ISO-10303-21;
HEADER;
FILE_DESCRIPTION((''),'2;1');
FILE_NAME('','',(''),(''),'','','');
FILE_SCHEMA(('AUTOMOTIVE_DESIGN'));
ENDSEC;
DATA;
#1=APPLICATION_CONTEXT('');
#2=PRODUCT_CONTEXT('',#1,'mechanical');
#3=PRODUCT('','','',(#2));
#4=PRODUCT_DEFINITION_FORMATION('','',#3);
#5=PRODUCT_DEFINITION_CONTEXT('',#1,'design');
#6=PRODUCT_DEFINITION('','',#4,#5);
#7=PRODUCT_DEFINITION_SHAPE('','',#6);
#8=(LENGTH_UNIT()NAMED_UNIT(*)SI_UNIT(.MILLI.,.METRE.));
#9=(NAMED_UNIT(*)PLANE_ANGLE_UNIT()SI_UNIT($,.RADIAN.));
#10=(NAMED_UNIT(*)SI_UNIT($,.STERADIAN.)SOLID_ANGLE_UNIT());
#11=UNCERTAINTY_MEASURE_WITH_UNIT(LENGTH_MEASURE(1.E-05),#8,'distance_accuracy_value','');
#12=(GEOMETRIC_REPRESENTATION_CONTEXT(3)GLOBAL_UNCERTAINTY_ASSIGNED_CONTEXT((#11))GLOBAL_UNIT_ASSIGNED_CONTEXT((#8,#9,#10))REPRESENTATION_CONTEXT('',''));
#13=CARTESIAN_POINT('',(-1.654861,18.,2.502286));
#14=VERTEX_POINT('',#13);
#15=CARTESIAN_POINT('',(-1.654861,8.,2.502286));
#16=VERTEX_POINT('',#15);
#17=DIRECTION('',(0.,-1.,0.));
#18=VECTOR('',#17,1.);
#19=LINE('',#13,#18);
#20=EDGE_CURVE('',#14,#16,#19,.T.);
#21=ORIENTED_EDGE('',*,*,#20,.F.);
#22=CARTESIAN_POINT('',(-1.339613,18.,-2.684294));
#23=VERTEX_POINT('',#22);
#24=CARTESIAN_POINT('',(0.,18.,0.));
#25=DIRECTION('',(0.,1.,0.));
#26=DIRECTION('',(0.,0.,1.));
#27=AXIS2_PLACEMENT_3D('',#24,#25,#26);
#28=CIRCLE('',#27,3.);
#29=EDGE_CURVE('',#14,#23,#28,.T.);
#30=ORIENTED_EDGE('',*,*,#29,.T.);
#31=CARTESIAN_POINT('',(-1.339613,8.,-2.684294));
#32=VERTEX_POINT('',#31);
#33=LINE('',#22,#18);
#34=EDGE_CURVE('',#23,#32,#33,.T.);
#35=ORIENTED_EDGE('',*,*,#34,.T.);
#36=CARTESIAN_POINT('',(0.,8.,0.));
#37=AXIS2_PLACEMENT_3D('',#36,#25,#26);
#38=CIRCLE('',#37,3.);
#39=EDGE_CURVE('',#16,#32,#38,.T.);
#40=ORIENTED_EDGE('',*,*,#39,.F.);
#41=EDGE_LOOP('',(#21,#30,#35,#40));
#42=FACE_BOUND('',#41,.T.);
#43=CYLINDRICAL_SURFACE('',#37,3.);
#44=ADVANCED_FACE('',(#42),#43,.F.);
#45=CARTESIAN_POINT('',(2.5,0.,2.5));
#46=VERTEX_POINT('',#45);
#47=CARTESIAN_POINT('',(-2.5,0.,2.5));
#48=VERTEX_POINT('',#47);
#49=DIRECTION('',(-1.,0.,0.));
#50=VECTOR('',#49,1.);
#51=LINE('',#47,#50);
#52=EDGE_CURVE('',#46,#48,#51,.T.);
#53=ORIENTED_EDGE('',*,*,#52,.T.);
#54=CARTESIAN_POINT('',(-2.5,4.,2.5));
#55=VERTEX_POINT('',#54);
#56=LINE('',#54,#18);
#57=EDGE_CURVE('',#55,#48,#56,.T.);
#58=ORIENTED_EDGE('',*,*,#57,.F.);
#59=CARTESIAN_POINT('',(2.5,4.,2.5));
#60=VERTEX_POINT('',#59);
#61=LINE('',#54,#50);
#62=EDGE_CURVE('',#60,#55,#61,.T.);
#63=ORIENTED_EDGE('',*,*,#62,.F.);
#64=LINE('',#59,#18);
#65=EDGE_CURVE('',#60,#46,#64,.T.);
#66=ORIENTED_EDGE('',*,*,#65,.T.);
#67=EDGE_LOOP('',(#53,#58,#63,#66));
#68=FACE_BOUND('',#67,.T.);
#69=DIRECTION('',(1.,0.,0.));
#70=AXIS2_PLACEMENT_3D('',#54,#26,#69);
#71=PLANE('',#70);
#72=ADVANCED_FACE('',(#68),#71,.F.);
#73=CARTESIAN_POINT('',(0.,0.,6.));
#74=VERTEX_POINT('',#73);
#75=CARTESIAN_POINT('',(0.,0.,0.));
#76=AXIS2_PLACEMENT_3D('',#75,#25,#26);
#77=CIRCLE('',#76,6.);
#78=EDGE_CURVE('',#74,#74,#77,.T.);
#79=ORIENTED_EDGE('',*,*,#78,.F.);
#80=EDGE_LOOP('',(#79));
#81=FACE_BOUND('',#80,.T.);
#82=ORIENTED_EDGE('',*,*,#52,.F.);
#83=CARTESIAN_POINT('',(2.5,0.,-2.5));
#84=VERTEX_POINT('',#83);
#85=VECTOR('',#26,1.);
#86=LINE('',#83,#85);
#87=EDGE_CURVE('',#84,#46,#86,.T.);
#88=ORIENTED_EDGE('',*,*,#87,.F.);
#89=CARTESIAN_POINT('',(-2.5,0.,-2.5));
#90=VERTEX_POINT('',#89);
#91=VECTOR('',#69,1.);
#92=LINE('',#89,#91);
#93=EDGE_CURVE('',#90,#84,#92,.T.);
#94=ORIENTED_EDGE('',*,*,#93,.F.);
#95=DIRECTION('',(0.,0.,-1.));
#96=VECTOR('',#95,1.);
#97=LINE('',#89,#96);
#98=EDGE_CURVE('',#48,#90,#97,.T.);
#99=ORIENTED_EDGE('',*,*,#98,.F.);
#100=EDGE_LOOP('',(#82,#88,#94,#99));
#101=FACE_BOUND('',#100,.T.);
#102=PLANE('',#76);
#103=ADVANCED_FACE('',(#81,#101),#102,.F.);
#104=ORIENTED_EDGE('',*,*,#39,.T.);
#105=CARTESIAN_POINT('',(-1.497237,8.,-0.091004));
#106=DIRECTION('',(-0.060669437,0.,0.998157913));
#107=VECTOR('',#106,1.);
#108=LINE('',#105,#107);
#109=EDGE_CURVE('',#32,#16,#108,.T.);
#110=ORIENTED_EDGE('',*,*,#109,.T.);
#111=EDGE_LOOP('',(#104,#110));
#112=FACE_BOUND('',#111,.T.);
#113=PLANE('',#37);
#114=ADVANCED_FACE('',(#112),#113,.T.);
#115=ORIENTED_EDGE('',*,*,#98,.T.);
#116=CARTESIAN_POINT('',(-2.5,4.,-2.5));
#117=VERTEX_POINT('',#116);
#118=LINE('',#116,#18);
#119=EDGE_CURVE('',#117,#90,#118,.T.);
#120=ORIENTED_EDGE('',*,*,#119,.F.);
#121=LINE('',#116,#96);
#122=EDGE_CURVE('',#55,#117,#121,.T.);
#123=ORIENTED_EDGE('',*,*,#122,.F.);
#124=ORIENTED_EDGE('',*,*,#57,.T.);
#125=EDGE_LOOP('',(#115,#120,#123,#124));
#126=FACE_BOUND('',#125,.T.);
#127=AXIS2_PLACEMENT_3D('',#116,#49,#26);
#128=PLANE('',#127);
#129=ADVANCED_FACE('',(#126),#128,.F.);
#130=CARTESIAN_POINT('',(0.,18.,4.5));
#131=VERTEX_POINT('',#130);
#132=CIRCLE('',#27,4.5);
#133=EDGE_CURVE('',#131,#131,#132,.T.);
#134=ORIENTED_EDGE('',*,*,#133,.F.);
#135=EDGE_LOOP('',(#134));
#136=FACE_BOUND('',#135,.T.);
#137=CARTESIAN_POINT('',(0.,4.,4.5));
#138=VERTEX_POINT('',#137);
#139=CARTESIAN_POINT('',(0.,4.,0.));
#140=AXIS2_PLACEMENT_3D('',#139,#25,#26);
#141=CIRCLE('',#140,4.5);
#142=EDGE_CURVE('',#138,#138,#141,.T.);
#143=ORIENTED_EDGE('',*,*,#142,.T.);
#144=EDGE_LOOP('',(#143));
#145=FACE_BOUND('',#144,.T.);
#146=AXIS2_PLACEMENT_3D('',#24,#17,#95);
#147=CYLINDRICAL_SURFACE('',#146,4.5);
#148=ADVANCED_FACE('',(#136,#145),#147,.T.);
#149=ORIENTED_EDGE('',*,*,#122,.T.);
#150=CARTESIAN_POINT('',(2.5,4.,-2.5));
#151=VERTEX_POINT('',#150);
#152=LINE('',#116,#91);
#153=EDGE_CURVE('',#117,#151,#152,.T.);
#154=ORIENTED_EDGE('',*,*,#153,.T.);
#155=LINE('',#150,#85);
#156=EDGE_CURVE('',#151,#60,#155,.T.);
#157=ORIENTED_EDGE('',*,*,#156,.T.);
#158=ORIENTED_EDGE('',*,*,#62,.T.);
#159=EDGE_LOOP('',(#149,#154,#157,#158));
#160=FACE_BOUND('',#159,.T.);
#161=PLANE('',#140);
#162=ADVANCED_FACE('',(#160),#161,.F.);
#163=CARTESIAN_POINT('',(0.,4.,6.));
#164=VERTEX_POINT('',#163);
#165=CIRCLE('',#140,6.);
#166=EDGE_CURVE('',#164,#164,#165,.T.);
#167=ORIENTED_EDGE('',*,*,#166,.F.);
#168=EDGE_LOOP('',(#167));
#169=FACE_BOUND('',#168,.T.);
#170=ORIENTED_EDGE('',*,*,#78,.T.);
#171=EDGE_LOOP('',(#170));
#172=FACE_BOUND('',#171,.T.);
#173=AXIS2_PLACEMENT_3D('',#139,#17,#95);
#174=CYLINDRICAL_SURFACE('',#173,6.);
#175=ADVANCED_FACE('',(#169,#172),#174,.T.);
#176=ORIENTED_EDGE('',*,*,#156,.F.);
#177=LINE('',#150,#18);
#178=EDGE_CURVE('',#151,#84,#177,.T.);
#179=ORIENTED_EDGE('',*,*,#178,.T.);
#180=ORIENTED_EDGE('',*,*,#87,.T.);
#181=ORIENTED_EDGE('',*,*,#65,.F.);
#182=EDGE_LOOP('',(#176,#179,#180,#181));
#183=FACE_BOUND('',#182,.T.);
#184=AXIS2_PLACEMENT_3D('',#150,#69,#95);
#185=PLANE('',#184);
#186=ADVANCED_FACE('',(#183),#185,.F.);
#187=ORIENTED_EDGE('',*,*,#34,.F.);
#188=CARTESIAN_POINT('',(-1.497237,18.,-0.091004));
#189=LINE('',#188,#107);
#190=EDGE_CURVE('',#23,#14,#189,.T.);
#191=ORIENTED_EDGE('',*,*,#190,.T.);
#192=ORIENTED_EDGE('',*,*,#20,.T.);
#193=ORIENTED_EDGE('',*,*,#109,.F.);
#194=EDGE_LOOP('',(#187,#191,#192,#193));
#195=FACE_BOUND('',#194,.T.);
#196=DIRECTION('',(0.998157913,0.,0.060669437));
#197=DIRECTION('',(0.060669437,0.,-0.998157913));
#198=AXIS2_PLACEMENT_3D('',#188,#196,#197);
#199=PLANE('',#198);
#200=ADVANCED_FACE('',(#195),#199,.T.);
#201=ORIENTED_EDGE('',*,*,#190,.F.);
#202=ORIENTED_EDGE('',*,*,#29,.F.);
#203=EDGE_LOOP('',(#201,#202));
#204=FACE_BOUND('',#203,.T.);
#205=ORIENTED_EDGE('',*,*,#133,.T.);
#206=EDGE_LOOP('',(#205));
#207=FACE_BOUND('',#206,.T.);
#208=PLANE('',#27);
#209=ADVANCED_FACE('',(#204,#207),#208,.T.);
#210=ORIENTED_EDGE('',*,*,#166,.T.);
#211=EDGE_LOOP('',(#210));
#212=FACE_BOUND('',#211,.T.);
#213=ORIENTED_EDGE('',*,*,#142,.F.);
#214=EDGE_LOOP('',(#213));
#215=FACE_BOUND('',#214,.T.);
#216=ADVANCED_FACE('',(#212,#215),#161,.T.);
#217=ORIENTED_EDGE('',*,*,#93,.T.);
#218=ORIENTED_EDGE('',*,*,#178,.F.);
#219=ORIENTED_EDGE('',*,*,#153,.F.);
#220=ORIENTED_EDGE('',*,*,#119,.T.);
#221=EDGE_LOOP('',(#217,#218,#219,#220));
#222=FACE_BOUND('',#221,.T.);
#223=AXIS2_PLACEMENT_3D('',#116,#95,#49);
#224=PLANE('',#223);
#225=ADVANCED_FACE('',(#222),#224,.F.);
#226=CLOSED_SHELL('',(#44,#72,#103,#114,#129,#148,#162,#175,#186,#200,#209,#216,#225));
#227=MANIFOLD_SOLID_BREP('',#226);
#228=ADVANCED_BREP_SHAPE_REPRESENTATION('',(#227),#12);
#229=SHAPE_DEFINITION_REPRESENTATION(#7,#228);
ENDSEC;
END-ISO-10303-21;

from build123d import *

# Parameters (mm, degrees)
SKETCH1_R           = 6
BOSS_EXTRUDE1_DEPTH = 4
SKETCH2_R           = 4.5
BOSS_EXTRUDE2_DEPTH = 14
SKETCH3_W           = 5
SKETCH3_H           = 5
CUT_EXTRUDE1_DEPTH  = 4
SKETCH4_R           = 3
CUT_EXTRUDE2_DEPTH  = 10
BOSS_EXTRUDE3_START = 10
BOSS_EXTRUDE3_DEPTH = 10


with BuildPart() as part:
    # Sketch1 → Boss-Extrude1 (new body)
    with BuildSketch(Plane(origin=(0, 0, 0), x_dir=(1, 0, 0), z_dir=(0, 1, 0))):
        with Locations(Location((0, 0, 0), (0, 0, 270))):
            Circle(SKETCH1_R)
    extrude(amount=BOSS_EXTRUDE1_DEPTH)

    # Sketch2 → Boss-Extrude2 (add)
    with BuildSketch(Plane(origin=(0, 4, 0), x_dir=(1, 0, 0), z_dir=(0, 1, 0))):
        with Locations(Location((0, 0, 0), (0, 0, 270))):
            Circle(SKETCH2_R)
    extrude(amount=BOSS_EXTRUDE2_DEPTH)

    # Sketch3 → Cut-Extrude1 (cut)
    with BuildSketch(Plane(origin=(0, 0, 0), x_dir=(-1, 0, 0), z_dir=(0, -1, 0))):
        Rectangle(SKETCH3_W, SKETCH3_H)
    extrude(amount=-CUT_EXTRUDE1_DEPTH, mode=Mode.SUBTRACT)

    # Sketch4 → Cut-Extrude2 (cut)
    with BuildSketch(Plane(origin=(0, 18, 0), x_dir=(1, 0, 0), z_dir=(0, 1, 0))):
        with Locations(Location((0, 0, 0), (0, 0, 270))):
            Circle(SKETCH4_R)
    extrude(amount=-CUT_EXTRUDE2_DEPTH, mode=Mode.SUBTRACT)

    # Sketch5 → Boss-Extrude3 (add)
    with BuildSketch(Plane(origin=(0, 8, 0), x_dir=(1, 0, 0), z_dir=(0, 1, 0)).offset(BOSS_EXTRUDE3_START)):
        with BuildLine():
            Line((-1.65486069, -2.502286174), (-1.33961305, 2.684294484))
            ThreePointArc((-1.33961305, 2.684294484), (-2.994473739, 0.18200831), (-1.65486069, -2.502286174))
        make_face()
    extrude(amount=-BOSS_EXTRUDE3_DEPTH)


solid = part.part
